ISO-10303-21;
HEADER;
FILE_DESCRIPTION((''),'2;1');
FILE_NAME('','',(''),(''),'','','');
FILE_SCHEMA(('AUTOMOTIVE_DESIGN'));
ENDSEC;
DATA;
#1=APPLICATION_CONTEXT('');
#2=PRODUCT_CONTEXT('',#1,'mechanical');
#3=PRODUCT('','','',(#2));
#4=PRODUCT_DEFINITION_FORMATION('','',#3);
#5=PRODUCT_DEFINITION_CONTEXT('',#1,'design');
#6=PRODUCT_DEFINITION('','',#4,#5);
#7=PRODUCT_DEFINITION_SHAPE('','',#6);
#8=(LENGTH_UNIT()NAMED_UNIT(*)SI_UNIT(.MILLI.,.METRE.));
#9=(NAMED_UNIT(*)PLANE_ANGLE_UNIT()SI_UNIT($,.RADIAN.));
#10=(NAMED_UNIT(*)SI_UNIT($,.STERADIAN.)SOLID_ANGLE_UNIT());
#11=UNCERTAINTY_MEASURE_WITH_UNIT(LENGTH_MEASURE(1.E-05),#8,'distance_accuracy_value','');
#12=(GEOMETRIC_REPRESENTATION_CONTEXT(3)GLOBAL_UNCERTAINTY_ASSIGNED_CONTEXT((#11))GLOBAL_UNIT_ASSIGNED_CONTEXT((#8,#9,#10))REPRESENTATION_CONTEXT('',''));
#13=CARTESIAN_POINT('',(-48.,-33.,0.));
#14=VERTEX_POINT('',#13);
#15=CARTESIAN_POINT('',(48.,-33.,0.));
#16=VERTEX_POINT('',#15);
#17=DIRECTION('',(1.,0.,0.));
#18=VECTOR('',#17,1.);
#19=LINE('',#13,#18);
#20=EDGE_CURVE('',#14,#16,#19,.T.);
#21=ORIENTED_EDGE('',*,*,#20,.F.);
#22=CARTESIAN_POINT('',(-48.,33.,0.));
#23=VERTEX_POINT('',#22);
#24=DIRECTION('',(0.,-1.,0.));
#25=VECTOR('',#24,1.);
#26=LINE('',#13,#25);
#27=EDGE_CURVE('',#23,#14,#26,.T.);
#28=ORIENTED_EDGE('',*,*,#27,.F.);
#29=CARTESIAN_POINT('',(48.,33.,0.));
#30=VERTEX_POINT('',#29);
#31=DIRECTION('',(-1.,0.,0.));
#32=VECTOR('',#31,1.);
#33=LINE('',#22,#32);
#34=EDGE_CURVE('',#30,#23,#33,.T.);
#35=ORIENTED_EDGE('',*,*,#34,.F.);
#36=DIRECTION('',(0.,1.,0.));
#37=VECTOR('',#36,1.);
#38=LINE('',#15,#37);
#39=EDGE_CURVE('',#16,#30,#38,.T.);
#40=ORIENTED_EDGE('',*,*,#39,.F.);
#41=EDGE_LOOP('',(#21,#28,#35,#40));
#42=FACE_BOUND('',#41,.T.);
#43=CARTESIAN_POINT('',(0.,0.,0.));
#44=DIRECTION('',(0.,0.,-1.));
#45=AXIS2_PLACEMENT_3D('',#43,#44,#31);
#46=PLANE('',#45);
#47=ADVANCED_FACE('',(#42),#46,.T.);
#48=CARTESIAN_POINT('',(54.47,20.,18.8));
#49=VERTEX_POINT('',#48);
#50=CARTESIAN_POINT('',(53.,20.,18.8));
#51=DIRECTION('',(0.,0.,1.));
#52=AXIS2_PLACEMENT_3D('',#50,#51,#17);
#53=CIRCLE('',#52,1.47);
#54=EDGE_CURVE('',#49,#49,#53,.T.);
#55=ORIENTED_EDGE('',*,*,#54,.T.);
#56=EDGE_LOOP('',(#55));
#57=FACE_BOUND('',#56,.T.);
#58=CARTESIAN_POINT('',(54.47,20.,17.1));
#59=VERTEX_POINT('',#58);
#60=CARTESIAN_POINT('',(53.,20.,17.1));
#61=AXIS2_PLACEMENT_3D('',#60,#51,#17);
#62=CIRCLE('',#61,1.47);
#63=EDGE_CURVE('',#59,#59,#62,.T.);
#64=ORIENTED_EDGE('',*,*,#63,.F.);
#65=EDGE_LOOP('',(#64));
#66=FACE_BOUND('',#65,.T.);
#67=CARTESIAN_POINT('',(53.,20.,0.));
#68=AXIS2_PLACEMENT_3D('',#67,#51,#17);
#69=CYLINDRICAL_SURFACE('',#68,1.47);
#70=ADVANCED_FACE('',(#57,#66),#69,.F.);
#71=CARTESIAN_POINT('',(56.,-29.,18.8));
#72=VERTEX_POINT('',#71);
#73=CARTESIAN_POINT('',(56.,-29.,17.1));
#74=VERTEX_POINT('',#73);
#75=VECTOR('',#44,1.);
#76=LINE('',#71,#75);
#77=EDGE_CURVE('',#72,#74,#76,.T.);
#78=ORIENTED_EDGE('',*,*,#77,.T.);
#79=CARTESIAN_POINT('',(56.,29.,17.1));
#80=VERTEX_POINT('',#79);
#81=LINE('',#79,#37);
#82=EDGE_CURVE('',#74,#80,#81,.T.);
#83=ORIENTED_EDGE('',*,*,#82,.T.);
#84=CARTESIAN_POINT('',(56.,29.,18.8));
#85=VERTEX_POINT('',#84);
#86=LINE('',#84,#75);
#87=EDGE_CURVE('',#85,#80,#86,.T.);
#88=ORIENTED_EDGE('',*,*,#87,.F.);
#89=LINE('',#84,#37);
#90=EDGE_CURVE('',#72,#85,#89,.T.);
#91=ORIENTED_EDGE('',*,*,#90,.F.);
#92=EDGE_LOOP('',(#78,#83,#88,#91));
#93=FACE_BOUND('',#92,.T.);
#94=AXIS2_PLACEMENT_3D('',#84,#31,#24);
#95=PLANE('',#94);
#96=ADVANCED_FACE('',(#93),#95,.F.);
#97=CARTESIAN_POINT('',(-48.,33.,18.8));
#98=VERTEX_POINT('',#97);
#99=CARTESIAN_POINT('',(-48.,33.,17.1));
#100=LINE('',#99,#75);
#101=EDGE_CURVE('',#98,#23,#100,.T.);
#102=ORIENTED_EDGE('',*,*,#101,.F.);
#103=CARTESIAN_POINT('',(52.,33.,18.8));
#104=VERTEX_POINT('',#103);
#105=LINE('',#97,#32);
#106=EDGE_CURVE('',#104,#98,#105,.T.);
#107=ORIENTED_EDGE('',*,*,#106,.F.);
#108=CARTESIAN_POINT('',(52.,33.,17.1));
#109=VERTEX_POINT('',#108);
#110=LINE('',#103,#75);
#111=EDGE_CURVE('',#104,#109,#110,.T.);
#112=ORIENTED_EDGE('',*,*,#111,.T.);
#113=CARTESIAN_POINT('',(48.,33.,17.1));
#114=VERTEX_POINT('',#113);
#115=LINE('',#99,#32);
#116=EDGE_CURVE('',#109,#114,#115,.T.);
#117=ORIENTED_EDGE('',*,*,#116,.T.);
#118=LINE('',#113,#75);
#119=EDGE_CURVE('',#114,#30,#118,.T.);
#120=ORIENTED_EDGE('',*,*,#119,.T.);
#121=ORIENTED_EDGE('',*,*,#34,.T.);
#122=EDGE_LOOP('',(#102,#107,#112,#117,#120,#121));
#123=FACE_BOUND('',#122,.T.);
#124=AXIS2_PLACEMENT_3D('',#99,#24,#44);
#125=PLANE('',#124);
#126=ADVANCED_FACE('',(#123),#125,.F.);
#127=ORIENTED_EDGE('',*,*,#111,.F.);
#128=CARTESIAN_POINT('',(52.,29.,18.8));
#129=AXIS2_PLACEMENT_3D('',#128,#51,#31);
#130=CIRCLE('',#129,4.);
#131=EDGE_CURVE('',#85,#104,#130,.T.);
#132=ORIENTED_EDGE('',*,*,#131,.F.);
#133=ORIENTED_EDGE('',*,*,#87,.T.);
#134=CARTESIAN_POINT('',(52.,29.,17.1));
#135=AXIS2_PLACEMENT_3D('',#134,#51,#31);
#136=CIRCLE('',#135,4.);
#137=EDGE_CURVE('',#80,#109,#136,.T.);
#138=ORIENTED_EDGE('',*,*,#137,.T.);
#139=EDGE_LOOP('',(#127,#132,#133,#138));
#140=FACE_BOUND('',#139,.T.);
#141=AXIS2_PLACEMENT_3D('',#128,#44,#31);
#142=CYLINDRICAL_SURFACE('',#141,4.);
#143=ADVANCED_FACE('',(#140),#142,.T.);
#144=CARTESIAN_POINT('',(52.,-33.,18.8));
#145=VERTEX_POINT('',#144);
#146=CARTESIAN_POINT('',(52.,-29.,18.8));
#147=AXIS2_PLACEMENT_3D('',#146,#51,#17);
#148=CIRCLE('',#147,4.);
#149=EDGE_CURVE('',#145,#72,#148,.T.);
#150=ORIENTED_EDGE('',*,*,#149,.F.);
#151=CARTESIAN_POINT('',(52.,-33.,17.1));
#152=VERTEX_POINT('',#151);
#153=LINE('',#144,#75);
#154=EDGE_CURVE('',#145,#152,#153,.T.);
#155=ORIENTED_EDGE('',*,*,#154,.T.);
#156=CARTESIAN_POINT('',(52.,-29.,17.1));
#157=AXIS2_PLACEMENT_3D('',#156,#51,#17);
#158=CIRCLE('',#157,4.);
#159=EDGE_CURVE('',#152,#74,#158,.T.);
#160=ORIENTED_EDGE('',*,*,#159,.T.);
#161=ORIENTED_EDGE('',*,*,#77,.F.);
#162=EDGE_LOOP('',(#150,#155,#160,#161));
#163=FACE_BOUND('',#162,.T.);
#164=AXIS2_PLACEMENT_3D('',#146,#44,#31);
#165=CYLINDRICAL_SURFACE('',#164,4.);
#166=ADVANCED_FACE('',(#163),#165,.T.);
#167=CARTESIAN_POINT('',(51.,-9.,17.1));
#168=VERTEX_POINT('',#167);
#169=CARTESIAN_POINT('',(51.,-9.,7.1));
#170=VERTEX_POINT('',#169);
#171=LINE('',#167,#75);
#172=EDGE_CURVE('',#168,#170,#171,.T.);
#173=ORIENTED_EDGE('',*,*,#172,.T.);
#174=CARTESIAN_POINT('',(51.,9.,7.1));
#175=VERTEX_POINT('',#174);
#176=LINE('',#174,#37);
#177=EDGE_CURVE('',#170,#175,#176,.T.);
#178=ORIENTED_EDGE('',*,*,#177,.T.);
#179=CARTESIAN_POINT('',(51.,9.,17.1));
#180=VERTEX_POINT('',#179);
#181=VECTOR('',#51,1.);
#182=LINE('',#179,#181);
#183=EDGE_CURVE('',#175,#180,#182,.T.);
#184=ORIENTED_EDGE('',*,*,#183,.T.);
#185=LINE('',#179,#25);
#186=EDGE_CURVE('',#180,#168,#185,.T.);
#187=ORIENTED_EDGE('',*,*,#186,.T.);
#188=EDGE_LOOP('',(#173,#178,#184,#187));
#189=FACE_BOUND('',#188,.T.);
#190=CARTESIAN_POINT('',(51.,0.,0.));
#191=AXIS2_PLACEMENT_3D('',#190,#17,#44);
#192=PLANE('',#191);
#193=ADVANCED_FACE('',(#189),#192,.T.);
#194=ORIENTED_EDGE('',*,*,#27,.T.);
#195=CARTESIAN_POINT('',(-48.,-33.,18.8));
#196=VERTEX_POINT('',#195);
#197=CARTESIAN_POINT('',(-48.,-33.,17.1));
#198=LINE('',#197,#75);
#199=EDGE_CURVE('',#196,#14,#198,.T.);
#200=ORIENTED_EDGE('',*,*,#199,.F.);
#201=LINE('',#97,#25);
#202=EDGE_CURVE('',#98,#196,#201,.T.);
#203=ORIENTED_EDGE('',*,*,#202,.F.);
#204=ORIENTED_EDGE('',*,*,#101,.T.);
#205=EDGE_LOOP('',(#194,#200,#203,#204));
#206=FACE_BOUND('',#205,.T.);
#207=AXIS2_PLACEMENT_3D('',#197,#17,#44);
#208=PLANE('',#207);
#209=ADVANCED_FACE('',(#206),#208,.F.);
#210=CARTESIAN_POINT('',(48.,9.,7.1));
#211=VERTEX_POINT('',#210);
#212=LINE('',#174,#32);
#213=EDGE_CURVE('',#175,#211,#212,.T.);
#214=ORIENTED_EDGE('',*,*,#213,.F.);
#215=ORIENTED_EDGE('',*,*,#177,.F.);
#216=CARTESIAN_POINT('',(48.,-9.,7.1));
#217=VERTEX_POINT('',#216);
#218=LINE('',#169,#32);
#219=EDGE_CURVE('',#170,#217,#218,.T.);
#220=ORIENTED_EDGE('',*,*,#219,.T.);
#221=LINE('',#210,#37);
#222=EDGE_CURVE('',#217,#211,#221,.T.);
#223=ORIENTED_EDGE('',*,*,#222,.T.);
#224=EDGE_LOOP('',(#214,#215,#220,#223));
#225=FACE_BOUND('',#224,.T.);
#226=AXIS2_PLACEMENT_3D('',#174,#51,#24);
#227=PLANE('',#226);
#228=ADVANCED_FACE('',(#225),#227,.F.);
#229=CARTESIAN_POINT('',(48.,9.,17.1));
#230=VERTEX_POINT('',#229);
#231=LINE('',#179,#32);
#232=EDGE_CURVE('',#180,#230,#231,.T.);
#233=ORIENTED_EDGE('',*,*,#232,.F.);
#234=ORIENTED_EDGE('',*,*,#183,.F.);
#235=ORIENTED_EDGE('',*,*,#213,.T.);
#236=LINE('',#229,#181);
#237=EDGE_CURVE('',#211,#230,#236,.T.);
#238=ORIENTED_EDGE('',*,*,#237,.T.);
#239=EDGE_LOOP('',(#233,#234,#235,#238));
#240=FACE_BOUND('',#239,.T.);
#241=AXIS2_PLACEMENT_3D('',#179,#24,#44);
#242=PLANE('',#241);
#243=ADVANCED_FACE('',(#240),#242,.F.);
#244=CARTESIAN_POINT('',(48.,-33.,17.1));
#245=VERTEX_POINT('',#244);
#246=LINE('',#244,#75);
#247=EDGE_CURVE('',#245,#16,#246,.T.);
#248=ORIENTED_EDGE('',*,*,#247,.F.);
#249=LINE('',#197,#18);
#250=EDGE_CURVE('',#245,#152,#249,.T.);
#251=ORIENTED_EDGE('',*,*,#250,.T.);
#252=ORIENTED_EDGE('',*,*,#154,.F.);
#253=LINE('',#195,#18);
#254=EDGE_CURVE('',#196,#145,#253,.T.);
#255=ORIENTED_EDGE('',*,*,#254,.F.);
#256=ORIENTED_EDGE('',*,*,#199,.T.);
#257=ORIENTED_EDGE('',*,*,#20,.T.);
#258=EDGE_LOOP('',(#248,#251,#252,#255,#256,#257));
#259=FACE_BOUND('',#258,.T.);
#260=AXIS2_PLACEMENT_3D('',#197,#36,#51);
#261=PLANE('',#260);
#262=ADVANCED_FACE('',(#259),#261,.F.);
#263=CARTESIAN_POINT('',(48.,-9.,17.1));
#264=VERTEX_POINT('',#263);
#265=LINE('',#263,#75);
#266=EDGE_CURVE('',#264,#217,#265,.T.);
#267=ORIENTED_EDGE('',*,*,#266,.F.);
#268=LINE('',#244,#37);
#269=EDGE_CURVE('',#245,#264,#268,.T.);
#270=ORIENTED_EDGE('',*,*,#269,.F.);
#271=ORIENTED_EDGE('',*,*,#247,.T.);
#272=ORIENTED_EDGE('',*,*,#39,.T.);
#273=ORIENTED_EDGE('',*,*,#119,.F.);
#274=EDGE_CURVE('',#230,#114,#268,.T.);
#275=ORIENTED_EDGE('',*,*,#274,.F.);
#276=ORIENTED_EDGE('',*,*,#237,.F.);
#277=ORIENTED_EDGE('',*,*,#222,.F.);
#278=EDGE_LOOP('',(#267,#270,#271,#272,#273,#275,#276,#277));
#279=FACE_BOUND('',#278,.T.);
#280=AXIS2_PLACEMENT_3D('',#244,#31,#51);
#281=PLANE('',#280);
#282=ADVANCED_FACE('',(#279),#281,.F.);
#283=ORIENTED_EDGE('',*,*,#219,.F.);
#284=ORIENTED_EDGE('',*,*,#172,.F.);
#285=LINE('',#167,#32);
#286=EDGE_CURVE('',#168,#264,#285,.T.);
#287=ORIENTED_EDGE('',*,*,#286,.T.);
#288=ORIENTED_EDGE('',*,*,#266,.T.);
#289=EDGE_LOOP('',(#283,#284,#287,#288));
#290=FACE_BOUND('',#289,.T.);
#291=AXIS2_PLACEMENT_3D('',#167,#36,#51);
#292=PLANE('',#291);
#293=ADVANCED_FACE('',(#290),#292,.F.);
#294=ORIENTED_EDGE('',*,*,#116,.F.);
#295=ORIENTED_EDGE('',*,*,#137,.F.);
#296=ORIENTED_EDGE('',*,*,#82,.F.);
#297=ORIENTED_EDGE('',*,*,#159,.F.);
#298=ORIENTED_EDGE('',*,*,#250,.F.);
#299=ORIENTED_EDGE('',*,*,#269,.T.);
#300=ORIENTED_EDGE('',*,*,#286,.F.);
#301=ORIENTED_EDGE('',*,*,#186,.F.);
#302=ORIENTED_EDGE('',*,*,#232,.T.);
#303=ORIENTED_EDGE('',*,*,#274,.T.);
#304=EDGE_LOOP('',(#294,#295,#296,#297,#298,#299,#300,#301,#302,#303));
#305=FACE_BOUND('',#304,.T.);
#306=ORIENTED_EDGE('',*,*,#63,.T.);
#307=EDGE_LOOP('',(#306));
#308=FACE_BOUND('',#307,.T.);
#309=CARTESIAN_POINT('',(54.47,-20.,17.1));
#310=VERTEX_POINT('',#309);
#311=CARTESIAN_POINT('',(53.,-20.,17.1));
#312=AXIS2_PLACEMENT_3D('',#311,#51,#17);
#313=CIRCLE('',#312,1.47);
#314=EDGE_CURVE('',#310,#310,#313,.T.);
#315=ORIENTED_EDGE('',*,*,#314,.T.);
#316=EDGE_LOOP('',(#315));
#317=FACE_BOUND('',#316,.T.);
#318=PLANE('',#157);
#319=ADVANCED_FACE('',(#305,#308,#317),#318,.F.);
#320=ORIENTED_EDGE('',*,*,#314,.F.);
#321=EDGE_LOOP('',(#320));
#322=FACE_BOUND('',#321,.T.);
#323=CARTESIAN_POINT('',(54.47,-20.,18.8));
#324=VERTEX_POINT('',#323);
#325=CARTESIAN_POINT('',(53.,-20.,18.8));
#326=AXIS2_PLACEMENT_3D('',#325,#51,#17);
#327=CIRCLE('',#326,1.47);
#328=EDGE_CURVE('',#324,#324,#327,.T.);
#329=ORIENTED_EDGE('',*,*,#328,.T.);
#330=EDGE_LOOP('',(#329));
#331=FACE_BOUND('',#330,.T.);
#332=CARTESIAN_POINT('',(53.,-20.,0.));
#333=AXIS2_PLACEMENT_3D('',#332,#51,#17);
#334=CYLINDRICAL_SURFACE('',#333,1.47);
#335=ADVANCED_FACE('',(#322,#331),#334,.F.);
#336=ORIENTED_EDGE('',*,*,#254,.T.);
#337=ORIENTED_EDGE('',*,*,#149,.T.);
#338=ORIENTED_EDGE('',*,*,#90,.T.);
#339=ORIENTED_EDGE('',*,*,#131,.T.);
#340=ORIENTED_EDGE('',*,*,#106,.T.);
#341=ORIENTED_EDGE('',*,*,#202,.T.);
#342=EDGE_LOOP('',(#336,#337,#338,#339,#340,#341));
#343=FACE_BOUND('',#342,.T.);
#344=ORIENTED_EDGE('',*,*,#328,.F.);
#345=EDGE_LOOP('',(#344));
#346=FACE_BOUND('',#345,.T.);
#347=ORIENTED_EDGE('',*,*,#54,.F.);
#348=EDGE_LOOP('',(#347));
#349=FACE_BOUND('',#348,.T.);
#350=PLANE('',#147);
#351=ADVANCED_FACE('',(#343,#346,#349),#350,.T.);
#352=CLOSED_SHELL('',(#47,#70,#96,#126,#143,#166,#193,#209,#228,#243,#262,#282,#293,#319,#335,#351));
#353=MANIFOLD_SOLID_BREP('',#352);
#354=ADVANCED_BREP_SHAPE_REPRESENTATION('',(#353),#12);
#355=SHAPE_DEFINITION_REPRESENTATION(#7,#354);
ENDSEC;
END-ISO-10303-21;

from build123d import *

# Parameters (mm, degrees)
SKETCH1_W           = 96
SKETCH1_H           = 66
BOSS_EXTRUDE1_DEPTH = 17.1
BOSS_EXTRUDE2_DEPTH = 1.7
SKETCH3_W           = 10
SKETCH3_H           = 18
BOSS_EXTRUDE3_DEPTH = 3
SKETCH4_R           = 1.47
CUT_EXTRUDE1_DEPTH  = 19.8


with BuildPart() as part:
    # Sketch1 → Boss-Extrude1 (new body)
    with BuildSketch(Plane.XY):
        Rectangle(SKETCH1_W, SKETCH1_H)
    extrude(amount=BOSS_EXTRUDE1_DEPTH)

    # Sketch2 → Boss-Extrude2 (add)
    with BuildSketch(Plane.XY.offset(17.1)):
        with BuildLine():
            Line((-48, 33), (52, 33))
            ThreePointArc((52, 33), (54.828427125, 31.828427125), (56, 29))
            Line((56, 29), (56, -29))
            ThreePointArc((56, -29), (54.828427125, -31.828427125), (52, -33))
            Line((52, -33), (-48, -33))
            Line((-48, -33), (-48, 33))
        make_face()
    extrude(amount=BOSS_EXTRUDE2_DEPTH)

    # Sketch3 → Boss-Extrude3 (add)
    with BuildSketch(Plane(origin=(48, 0, 0), x_dir=(0, 0, -1), z_dir=(1, 0, 0))):
        with Locations((-12.1, 0)):
            Rectangle(SKETCH3_W, SKETCH3_H)
    extrude(amount=BOSS_EXTRUDE3_DEPTH)

    # Sketch4 → Cut-Extrude1 (cut, through all)
    with BuildSketch(Plane.XY.offset(18.8)):
        with Locations((53, 20)):
            Circle(SKETCH4_R)
        with Locations((53, -20)):
            Circle(SKETCH4_R)
    extrude(amount=-CUT_EXTRUDE1_DEPTH, mode=Mode.SUBTRACT)


solid = part.part
